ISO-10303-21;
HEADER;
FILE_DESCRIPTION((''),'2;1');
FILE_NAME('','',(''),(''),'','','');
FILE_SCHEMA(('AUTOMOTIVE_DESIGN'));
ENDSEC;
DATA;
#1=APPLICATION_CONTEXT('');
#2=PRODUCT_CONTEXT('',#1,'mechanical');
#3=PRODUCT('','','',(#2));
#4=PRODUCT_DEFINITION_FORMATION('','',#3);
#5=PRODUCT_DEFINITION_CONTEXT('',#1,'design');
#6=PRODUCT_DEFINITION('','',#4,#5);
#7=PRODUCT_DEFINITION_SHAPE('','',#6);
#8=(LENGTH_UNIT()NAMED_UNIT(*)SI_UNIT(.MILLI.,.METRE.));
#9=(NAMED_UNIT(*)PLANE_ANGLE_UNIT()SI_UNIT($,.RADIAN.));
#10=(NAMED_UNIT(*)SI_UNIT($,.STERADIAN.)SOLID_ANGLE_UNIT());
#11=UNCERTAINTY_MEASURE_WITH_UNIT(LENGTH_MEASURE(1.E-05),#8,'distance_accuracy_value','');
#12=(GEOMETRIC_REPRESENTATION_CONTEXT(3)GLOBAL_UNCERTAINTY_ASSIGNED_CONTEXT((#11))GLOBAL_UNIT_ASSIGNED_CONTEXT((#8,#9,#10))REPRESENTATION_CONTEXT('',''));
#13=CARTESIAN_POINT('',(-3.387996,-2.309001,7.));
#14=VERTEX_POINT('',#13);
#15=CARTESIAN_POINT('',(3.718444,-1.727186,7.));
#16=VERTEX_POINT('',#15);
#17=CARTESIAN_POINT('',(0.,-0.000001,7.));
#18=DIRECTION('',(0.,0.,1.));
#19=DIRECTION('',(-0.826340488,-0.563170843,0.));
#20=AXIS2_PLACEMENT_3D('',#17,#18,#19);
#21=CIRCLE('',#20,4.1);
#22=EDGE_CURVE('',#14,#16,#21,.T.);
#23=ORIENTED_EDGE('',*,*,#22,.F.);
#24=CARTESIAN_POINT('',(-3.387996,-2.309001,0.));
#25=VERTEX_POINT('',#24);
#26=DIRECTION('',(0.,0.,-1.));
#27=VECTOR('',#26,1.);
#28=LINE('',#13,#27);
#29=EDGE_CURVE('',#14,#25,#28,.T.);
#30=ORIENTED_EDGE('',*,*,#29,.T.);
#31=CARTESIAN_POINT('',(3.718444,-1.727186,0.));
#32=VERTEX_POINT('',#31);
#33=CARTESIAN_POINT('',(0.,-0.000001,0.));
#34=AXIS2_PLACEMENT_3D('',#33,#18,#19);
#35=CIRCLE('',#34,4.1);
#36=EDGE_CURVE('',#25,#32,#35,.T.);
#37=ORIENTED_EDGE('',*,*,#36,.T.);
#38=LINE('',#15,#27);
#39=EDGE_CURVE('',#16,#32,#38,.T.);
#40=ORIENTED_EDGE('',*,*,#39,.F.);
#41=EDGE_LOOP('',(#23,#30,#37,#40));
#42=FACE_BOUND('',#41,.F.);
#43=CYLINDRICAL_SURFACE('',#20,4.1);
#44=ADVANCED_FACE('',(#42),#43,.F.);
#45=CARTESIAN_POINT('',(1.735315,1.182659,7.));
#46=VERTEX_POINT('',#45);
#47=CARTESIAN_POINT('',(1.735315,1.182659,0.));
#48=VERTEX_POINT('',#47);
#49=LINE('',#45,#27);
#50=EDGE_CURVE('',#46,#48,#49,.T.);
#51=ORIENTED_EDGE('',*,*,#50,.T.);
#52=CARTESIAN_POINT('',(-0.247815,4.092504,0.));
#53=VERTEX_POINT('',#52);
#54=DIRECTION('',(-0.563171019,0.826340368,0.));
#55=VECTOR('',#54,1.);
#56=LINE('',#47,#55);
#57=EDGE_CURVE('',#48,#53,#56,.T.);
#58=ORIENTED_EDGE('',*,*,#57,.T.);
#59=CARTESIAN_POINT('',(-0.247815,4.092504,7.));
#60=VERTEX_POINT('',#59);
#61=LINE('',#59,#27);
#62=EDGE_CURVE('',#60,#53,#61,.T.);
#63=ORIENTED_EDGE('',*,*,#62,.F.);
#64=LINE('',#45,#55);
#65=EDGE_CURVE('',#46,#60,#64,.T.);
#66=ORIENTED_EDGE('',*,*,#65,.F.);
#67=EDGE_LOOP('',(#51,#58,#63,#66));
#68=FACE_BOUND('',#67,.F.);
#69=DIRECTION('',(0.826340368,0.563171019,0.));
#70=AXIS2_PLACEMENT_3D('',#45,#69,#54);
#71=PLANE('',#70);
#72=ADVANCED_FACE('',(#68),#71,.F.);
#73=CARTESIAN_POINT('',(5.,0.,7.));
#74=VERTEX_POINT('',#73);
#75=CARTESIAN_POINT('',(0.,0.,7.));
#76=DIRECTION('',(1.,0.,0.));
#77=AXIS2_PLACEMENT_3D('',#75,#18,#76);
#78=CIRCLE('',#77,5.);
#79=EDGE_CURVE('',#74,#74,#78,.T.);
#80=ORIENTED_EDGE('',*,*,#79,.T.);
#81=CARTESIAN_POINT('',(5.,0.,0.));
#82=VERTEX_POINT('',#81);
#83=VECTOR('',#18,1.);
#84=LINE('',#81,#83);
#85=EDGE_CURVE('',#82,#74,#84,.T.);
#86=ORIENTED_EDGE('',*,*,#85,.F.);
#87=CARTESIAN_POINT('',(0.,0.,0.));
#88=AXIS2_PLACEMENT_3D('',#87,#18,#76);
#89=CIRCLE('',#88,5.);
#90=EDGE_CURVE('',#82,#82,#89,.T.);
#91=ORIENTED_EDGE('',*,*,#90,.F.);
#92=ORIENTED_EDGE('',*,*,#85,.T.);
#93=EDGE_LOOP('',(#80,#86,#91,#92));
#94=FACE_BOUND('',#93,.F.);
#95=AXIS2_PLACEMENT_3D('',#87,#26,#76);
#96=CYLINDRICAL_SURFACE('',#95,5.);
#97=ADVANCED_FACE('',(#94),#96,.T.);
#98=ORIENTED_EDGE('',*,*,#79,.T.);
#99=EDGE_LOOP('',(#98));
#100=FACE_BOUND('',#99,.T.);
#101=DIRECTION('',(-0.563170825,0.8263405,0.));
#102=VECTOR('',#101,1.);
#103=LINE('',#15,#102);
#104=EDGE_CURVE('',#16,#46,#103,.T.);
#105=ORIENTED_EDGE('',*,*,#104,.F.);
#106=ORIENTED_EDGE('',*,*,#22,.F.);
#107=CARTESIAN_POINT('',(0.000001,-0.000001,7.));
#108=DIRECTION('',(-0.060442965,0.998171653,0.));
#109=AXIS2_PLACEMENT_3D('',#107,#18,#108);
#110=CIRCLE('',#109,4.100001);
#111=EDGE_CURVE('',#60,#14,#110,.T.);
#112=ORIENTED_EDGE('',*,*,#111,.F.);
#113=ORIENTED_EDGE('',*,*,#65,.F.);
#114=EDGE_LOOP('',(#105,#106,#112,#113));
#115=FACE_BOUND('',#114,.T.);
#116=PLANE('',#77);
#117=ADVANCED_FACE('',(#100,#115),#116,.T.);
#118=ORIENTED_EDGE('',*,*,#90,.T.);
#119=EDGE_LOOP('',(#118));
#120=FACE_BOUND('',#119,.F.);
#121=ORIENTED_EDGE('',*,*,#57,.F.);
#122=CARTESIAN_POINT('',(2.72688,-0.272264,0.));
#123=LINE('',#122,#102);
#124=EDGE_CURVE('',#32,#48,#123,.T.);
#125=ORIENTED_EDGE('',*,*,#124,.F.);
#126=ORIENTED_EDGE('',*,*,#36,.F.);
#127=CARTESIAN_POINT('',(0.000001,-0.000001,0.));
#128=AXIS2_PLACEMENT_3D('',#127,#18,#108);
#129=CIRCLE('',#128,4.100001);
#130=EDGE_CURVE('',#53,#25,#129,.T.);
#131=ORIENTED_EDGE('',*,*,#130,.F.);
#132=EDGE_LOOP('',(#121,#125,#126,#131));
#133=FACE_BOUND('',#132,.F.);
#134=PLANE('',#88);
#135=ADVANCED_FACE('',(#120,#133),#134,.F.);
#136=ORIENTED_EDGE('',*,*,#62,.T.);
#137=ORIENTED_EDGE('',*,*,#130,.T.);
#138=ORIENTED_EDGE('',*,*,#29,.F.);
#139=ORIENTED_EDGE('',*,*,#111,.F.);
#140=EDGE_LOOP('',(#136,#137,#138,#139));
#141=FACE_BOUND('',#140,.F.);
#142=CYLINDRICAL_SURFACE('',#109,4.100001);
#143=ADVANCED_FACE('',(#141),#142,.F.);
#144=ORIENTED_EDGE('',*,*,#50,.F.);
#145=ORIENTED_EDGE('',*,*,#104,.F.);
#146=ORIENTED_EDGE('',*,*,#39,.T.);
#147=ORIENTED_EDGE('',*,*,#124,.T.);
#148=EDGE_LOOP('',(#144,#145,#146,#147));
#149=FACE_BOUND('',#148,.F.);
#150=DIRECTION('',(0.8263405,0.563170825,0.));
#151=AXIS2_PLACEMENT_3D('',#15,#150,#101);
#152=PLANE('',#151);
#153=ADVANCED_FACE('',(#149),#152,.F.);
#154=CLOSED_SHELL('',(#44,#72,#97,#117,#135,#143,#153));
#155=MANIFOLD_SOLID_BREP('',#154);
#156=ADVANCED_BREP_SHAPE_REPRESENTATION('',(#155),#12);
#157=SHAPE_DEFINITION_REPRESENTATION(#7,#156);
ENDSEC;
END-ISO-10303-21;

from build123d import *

# Parameters (mm, degrees)
F0_R     = 5
F1_DEPTH = 7
F3_DEPTH = 7.001


with BuildPart() as f1:
    # F0 (on Top) → F1 (new body)
    with BuildSketch(Plane.XY):
        Circle(F0_R)
    extrude(amount=F1_DEPTH)

    # F2 (on face) → F3 (cut, through all)
    with BuildSketch(Plane.XY.offset(7)):
        with BuildLine():
            Line((1.735315, 1.182659), (-0.247815, 4.092504))
            ThreePointArc((-0.247815, 4.092504), (-3.680977, 1.805659), (-3.387996, -2.309001))
            Line((-3.387996, -2.309001), (1.735315, 1.182659))
        make_face()
        with BuildLine():
            ThreePointArc((-3.387996, -2.309001), (0.334554, -4.086328), (3.718444, -1.727186))
            Line((3.718444, -1.727186), (1.735315, 1.182659))
            Line((1.735315, 1.182659), (-3.387996, -2.309001))
        make_face()
    extrude(amount=-F3_DEPTH, mode=Mode.SUBTRACT)


solid = f1.part
